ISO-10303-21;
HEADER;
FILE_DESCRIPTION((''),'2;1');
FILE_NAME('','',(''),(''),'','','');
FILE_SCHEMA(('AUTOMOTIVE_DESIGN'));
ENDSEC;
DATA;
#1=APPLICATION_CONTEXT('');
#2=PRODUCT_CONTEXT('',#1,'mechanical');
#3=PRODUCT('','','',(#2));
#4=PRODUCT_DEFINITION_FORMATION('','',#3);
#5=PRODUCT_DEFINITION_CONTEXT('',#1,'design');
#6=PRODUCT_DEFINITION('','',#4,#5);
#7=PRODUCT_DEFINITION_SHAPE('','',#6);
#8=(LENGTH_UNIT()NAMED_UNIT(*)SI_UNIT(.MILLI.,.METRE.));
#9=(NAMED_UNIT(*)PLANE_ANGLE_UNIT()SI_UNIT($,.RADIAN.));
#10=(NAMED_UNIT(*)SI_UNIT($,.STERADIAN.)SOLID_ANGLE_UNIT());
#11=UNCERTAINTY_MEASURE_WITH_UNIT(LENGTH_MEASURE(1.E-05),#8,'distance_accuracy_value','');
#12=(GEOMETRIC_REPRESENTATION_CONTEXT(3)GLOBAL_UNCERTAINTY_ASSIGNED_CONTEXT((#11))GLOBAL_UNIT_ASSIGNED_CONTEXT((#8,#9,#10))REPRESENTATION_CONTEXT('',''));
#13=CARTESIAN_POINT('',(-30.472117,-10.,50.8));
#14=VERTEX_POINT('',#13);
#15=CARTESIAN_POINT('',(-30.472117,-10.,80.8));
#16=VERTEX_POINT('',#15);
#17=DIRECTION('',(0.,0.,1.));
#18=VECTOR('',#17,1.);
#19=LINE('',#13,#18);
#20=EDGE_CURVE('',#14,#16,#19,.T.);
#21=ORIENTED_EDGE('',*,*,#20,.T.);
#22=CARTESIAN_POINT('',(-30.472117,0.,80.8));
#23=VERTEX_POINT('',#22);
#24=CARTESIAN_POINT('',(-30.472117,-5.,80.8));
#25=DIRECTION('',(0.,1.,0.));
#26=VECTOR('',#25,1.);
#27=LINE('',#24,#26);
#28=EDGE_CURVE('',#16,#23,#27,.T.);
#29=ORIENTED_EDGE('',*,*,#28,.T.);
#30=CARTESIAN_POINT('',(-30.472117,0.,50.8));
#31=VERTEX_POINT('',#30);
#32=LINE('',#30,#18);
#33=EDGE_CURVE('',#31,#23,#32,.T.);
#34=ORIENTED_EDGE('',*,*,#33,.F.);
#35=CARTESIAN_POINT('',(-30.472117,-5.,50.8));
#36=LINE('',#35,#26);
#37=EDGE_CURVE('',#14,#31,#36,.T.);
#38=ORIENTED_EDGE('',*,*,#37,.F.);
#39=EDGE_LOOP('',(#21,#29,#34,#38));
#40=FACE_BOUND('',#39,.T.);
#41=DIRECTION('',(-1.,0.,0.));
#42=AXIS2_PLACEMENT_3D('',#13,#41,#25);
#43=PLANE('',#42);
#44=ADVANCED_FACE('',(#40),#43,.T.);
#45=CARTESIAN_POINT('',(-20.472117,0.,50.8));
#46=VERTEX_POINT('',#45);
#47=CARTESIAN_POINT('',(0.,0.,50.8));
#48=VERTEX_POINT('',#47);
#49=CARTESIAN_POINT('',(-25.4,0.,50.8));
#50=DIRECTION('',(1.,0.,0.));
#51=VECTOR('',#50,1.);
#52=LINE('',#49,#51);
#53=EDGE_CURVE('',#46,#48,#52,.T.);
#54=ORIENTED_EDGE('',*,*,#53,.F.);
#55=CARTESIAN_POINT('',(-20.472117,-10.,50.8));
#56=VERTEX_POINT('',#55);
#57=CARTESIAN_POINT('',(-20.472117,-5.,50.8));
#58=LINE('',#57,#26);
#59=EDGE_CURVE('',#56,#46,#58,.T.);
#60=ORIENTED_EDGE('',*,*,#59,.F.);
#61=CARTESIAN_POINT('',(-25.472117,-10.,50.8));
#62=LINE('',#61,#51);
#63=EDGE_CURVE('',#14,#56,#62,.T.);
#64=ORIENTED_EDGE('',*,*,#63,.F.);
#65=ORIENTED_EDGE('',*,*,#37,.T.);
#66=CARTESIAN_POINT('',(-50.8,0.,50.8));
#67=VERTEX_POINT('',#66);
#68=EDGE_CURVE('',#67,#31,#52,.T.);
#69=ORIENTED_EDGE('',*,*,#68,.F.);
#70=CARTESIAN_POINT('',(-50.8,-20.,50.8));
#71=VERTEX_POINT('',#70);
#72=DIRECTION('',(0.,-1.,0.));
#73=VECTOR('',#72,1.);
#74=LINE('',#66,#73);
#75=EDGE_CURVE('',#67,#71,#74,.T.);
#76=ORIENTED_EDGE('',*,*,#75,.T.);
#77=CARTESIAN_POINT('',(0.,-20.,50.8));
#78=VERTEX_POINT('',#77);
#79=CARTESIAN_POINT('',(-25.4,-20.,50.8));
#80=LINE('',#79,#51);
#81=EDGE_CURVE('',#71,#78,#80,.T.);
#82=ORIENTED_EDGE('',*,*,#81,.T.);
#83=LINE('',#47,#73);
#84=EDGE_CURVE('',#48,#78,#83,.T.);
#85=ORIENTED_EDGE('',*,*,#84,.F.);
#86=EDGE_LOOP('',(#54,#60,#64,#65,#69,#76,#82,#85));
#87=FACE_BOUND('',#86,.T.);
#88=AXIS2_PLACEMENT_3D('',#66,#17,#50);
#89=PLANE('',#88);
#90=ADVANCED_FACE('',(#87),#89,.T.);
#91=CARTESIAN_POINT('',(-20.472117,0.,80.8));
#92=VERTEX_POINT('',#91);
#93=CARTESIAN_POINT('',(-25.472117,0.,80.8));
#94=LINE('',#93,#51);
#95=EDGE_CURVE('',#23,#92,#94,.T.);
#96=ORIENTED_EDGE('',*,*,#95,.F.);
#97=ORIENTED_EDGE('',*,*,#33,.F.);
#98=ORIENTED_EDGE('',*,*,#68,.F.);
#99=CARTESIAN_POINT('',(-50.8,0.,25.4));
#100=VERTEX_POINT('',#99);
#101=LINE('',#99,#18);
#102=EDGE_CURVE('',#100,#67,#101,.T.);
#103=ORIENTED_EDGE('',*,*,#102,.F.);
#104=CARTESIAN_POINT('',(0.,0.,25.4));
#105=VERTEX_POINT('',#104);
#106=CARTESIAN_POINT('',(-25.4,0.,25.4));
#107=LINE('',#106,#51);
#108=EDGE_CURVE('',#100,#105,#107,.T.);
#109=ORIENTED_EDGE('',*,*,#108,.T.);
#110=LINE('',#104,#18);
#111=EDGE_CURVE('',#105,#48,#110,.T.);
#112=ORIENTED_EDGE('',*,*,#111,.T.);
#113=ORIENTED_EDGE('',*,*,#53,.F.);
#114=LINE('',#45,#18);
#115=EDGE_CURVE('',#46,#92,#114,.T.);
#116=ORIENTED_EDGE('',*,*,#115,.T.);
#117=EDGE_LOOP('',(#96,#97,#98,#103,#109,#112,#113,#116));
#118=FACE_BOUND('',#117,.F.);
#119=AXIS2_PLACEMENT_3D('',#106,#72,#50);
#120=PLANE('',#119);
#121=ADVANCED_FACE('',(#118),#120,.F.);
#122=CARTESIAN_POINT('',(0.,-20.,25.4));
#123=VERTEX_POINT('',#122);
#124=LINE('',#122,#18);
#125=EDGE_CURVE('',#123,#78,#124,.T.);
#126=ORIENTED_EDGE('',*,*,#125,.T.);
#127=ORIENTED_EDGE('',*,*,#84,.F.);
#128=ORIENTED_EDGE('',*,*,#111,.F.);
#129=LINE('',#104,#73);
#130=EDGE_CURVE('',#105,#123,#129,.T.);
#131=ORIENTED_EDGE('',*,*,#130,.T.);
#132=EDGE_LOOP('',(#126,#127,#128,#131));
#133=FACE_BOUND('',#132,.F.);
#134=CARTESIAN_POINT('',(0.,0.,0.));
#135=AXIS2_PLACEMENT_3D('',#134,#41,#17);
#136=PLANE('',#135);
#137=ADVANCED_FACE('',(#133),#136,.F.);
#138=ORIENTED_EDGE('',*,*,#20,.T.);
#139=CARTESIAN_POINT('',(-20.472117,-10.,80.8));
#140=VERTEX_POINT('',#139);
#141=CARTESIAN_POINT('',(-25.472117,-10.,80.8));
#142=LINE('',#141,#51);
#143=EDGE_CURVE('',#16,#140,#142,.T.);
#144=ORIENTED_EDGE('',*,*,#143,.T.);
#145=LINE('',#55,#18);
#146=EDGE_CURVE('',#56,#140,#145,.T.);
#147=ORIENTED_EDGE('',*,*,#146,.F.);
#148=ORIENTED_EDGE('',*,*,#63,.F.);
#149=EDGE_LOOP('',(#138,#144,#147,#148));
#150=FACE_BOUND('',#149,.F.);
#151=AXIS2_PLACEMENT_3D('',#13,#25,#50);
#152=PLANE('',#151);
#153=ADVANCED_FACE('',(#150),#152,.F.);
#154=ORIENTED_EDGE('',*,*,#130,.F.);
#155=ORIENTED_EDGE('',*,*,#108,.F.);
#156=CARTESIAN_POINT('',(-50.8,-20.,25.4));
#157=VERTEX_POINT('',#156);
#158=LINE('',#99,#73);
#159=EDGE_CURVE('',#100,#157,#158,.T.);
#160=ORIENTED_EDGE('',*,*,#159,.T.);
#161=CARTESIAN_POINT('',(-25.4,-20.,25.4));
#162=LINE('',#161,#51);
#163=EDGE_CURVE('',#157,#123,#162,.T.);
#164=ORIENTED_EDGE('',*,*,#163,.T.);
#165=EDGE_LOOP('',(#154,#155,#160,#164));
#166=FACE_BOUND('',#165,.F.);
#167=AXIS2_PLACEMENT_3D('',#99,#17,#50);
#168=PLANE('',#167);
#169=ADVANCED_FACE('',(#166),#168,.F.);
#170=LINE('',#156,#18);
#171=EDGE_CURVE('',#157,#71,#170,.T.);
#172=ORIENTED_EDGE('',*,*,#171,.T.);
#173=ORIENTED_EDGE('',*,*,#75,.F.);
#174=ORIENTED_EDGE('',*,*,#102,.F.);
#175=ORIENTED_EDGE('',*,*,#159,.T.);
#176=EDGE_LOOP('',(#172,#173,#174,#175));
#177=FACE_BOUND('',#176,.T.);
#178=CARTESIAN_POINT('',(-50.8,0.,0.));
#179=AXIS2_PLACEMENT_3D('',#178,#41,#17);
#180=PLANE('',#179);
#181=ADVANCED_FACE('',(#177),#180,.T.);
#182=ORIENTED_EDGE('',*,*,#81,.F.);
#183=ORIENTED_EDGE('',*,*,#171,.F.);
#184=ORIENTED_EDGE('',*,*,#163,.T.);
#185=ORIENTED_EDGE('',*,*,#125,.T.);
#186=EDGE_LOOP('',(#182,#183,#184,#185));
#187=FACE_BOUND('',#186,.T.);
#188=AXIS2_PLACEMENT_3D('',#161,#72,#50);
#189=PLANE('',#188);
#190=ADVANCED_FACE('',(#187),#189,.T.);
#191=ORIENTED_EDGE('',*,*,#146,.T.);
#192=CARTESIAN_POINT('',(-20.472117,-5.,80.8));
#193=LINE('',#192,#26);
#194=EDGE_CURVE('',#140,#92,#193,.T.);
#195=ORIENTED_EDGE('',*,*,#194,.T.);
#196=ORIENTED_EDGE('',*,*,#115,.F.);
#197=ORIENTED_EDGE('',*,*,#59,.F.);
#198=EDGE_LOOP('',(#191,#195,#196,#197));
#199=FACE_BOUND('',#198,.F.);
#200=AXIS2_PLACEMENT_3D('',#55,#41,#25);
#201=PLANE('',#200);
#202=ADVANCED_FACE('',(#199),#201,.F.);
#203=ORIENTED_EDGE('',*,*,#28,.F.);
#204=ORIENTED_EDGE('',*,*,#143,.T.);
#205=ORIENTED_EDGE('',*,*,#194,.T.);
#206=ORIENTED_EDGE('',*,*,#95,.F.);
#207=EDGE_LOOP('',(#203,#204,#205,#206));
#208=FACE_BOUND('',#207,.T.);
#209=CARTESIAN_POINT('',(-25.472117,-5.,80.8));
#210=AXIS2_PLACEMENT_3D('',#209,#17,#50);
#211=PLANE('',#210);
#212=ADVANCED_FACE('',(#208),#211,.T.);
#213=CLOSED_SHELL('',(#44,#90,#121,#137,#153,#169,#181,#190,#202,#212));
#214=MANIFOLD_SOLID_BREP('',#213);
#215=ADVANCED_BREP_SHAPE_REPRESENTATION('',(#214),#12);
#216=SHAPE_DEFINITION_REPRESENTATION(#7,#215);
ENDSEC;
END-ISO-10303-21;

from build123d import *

# Parameters (mm, degrees)
F0_W     = 50.8
F0_H     = 50.8
F1_DEPTH = 20
F3_DEPTH = 25.4
F4_W     = 10
F4_H     = 10
F5_DEPTH = 30


with BuildPart() as f1:
    # F0 (on Front) → F1 (new body)
    with BuildSketch(Plane.XZ):
        with Locations((-25.4, 25.4)):
            Rectangle(F0_W, F0_H)
    extrude(amount=F1_DEPTH)

    # F3 (cut): a face of the model
    f3_faces = [f1.faces().sort_by_distance(p)[0] for p in [
        (-25.4, -10, 0),
    ]]
    extrude(f3_faces, amount=-F3_DEPTH, mode=Mode.SUBTRACT)

    # F4 (on face) → F5 (join)
    with BuildSketch(Plane.XY.offset(50.8)):
        with Locations((-25.4721167684, -5)):
            Rectangle(F4_W, F4_H)
    extrude(amount=F5_DEPTH)


solid = f1.part
